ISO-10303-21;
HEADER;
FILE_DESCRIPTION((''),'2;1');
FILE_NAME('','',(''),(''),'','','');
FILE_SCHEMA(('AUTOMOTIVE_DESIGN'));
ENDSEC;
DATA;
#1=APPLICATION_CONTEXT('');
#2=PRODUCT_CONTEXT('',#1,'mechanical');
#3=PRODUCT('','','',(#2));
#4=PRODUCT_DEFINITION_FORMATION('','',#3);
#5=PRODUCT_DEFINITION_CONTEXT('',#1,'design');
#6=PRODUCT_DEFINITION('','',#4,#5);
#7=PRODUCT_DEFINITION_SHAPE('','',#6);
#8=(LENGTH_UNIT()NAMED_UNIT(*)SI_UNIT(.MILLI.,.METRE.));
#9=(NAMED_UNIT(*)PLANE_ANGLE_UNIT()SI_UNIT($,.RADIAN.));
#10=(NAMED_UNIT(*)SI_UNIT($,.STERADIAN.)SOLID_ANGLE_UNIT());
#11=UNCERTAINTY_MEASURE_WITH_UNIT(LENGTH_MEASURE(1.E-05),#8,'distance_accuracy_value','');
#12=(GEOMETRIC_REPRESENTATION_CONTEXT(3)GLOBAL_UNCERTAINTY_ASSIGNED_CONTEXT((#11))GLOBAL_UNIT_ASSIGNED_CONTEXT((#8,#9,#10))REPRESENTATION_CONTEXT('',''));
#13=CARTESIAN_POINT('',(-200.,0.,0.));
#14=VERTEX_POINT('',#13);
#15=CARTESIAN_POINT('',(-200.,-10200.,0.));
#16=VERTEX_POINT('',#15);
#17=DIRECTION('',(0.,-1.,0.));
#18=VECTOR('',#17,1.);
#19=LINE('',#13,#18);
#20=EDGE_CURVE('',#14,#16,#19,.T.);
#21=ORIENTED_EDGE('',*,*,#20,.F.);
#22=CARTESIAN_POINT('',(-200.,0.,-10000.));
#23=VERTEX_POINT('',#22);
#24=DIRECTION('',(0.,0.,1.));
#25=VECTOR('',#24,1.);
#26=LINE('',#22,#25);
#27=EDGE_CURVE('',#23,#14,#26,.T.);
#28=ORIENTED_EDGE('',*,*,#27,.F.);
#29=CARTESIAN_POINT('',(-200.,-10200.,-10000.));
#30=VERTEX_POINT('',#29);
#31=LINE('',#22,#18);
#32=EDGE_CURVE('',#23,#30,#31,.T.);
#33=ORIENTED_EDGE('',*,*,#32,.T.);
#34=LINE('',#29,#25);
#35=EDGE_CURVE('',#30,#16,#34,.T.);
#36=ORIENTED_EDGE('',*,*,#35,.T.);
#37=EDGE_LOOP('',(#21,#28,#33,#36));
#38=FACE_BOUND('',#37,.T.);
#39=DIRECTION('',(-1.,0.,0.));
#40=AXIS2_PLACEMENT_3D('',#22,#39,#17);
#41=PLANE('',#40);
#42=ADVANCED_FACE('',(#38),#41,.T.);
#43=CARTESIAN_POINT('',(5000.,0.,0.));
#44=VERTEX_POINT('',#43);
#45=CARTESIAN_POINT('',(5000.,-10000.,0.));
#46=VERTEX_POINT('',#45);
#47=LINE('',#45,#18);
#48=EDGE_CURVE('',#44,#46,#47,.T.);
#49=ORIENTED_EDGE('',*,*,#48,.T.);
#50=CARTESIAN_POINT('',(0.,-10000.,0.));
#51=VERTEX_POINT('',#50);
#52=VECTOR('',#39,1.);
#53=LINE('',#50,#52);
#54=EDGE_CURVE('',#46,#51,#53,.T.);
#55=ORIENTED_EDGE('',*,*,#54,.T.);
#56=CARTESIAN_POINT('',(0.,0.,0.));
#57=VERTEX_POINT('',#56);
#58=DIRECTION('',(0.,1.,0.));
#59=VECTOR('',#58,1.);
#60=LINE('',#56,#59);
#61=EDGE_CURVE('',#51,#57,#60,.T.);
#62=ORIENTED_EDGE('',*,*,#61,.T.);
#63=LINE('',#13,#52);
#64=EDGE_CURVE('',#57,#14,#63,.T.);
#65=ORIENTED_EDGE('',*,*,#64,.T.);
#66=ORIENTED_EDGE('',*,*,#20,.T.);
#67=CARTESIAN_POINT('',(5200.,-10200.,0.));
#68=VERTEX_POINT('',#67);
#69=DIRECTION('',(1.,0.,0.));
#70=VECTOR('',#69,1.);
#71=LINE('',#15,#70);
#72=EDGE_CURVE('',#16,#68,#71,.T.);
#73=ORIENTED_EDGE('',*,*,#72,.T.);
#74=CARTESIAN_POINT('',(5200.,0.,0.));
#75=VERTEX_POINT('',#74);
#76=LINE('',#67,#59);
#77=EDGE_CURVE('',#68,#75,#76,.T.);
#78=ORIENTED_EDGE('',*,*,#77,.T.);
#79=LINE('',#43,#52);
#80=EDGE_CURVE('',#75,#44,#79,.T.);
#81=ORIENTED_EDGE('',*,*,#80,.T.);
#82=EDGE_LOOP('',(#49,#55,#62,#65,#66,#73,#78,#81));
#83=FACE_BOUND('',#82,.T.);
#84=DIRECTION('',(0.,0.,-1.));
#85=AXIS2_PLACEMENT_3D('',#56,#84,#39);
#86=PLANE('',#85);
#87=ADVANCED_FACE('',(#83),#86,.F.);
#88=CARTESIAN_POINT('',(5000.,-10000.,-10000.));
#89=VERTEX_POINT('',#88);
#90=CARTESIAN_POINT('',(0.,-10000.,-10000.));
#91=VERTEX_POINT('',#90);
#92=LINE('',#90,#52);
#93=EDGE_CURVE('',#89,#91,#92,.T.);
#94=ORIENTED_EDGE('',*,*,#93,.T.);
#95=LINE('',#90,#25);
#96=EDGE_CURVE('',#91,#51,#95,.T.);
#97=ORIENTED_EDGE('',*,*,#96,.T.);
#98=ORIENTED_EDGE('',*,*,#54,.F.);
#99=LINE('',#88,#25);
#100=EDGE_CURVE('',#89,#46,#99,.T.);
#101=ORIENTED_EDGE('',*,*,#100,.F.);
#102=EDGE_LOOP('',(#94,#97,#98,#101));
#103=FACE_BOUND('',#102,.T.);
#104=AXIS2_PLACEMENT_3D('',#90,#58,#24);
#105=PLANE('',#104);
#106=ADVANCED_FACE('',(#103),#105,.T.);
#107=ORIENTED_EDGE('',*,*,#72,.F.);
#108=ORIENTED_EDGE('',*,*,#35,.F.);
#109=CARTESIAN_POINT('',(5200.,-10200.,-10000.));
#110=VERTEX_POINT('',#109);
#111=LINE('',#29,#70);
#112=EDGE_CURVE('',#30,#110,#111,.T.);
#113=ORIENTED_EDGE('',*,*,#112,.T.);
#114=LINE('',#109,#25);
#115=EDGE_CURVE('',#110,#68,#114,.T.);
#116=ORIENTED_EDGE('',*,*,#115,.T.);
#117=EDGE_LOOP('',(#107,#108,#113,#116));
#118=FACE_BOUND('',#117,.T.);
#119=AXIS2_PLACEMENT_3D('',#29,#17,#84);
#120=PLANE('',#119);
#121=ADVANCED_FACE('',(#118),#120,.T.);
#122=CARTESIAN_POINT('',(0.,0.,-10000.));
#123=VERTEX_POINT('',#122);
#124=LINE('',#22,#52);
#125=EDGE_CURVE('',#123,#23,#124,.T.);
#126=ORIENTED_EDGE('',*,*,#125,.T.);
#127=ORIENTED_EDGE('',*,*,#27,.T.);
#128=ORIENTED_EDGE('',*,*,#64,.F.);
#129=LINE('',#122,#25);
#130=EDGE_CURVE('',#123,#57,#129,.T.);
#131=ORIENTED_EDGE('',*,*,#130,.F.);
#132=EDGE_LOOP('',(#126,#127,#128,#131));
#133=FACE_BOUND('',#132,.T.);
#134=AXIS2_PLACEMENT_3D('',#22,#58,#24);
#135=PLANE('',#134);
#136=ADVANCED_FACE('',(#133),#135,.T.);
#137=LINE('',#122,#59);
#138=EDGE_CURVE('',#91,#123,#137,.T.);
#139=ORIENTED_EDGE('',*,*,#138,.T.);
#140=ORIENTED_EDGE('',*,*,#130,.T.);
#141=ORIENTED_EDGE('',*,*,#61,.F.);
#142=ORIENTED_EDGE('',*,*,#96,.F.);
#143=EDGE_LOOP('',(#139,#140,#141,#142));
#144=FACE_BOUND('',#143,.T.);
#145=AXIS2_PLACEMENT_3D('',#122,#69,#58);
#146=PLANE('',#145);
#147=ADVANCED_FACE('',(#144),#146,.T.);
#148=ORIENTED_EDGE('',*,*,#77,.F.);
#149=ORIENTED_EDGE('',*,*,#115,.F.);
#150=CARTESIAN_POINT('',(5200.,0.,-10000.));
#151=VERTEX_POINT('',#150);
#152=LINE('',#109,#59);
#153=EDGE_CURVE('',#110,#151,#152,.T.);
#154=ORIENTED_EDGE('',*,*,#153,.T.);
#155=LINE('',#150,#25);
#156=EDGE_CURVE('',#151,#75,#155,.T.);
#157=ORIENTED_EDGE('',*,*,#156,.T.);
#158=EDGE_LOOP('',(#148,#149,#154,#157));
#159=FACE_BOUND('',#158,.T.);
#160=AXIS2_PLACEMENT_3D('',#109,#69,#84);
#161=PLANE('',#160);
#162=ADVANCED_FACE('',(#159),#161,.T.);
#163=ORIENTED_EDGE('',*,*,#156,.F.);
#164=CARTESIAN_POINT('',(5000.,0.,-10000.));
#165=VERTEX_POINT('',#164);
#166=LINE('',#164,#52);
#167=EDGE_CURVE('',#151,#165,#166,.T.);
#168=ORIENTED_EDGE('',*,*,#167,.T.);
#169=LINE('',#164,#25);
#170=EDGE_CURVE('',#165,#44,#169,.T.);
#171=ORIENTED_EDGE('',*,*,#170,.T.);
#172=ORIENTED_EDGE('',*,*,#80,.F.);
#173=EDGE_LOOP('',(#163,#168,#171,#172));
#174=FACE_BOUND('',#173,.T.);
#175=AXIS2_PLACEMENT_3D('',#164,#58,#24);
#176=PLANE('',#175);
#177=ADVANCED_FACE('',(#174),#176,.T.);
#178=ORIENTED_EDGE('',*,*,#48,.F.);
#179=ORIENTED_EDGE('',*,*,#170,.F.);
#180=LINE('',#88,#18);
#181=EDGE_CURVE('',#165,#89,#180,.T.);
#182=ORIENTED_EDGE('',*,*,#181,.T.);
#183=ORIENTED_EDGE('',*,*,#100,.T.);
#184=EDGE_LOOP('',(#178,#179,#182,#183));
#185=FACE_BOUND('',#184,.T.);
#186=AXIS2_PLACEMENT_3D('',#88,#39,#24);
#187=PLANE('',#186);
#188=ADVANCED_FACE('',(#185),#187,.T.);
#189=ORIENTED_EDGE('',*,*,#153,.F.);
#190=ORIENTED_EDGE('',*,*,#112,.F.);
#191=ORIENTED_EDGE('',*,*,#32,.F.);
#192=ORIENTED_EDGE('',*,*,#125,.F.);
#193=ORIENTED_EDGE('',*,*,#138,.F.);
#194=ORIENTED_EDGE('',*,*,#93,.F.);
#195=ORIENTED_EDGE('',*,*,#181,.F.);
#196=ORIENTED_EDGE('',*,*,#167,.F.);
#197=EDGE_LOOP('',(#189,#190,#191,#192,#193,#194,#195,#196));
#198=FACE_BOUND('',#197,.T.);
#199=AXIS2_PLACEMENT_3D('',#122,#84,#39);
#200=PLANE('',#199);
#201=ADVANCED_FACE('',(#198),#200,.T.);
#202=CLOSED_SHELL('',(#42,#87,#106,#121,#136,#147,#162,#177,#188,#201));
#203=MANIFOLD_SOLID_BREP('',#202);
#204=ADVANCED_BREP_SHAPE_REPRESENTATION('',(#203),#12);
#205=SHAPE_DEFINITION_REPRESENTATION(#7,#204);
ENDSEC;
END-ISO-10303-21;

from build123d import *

# Parameters (mm, degrees)
BOSS_EXTRUDE1_DEPTH = 10000


with BuildPart() as part:
    # Sketch2 → Boss-Extrude1 (new body)
    with BuildSketch(Plane.XY):
        Polygon((0, 0), (0, -10000), (5000, -10000), (5000, 0), (5200, 0), (5200, -10200), (-200, -10200), (-200, 0), align=None)
    extrude(amount=-BOSS_EXTRUDE1_DEPTH)


solid = part.part
